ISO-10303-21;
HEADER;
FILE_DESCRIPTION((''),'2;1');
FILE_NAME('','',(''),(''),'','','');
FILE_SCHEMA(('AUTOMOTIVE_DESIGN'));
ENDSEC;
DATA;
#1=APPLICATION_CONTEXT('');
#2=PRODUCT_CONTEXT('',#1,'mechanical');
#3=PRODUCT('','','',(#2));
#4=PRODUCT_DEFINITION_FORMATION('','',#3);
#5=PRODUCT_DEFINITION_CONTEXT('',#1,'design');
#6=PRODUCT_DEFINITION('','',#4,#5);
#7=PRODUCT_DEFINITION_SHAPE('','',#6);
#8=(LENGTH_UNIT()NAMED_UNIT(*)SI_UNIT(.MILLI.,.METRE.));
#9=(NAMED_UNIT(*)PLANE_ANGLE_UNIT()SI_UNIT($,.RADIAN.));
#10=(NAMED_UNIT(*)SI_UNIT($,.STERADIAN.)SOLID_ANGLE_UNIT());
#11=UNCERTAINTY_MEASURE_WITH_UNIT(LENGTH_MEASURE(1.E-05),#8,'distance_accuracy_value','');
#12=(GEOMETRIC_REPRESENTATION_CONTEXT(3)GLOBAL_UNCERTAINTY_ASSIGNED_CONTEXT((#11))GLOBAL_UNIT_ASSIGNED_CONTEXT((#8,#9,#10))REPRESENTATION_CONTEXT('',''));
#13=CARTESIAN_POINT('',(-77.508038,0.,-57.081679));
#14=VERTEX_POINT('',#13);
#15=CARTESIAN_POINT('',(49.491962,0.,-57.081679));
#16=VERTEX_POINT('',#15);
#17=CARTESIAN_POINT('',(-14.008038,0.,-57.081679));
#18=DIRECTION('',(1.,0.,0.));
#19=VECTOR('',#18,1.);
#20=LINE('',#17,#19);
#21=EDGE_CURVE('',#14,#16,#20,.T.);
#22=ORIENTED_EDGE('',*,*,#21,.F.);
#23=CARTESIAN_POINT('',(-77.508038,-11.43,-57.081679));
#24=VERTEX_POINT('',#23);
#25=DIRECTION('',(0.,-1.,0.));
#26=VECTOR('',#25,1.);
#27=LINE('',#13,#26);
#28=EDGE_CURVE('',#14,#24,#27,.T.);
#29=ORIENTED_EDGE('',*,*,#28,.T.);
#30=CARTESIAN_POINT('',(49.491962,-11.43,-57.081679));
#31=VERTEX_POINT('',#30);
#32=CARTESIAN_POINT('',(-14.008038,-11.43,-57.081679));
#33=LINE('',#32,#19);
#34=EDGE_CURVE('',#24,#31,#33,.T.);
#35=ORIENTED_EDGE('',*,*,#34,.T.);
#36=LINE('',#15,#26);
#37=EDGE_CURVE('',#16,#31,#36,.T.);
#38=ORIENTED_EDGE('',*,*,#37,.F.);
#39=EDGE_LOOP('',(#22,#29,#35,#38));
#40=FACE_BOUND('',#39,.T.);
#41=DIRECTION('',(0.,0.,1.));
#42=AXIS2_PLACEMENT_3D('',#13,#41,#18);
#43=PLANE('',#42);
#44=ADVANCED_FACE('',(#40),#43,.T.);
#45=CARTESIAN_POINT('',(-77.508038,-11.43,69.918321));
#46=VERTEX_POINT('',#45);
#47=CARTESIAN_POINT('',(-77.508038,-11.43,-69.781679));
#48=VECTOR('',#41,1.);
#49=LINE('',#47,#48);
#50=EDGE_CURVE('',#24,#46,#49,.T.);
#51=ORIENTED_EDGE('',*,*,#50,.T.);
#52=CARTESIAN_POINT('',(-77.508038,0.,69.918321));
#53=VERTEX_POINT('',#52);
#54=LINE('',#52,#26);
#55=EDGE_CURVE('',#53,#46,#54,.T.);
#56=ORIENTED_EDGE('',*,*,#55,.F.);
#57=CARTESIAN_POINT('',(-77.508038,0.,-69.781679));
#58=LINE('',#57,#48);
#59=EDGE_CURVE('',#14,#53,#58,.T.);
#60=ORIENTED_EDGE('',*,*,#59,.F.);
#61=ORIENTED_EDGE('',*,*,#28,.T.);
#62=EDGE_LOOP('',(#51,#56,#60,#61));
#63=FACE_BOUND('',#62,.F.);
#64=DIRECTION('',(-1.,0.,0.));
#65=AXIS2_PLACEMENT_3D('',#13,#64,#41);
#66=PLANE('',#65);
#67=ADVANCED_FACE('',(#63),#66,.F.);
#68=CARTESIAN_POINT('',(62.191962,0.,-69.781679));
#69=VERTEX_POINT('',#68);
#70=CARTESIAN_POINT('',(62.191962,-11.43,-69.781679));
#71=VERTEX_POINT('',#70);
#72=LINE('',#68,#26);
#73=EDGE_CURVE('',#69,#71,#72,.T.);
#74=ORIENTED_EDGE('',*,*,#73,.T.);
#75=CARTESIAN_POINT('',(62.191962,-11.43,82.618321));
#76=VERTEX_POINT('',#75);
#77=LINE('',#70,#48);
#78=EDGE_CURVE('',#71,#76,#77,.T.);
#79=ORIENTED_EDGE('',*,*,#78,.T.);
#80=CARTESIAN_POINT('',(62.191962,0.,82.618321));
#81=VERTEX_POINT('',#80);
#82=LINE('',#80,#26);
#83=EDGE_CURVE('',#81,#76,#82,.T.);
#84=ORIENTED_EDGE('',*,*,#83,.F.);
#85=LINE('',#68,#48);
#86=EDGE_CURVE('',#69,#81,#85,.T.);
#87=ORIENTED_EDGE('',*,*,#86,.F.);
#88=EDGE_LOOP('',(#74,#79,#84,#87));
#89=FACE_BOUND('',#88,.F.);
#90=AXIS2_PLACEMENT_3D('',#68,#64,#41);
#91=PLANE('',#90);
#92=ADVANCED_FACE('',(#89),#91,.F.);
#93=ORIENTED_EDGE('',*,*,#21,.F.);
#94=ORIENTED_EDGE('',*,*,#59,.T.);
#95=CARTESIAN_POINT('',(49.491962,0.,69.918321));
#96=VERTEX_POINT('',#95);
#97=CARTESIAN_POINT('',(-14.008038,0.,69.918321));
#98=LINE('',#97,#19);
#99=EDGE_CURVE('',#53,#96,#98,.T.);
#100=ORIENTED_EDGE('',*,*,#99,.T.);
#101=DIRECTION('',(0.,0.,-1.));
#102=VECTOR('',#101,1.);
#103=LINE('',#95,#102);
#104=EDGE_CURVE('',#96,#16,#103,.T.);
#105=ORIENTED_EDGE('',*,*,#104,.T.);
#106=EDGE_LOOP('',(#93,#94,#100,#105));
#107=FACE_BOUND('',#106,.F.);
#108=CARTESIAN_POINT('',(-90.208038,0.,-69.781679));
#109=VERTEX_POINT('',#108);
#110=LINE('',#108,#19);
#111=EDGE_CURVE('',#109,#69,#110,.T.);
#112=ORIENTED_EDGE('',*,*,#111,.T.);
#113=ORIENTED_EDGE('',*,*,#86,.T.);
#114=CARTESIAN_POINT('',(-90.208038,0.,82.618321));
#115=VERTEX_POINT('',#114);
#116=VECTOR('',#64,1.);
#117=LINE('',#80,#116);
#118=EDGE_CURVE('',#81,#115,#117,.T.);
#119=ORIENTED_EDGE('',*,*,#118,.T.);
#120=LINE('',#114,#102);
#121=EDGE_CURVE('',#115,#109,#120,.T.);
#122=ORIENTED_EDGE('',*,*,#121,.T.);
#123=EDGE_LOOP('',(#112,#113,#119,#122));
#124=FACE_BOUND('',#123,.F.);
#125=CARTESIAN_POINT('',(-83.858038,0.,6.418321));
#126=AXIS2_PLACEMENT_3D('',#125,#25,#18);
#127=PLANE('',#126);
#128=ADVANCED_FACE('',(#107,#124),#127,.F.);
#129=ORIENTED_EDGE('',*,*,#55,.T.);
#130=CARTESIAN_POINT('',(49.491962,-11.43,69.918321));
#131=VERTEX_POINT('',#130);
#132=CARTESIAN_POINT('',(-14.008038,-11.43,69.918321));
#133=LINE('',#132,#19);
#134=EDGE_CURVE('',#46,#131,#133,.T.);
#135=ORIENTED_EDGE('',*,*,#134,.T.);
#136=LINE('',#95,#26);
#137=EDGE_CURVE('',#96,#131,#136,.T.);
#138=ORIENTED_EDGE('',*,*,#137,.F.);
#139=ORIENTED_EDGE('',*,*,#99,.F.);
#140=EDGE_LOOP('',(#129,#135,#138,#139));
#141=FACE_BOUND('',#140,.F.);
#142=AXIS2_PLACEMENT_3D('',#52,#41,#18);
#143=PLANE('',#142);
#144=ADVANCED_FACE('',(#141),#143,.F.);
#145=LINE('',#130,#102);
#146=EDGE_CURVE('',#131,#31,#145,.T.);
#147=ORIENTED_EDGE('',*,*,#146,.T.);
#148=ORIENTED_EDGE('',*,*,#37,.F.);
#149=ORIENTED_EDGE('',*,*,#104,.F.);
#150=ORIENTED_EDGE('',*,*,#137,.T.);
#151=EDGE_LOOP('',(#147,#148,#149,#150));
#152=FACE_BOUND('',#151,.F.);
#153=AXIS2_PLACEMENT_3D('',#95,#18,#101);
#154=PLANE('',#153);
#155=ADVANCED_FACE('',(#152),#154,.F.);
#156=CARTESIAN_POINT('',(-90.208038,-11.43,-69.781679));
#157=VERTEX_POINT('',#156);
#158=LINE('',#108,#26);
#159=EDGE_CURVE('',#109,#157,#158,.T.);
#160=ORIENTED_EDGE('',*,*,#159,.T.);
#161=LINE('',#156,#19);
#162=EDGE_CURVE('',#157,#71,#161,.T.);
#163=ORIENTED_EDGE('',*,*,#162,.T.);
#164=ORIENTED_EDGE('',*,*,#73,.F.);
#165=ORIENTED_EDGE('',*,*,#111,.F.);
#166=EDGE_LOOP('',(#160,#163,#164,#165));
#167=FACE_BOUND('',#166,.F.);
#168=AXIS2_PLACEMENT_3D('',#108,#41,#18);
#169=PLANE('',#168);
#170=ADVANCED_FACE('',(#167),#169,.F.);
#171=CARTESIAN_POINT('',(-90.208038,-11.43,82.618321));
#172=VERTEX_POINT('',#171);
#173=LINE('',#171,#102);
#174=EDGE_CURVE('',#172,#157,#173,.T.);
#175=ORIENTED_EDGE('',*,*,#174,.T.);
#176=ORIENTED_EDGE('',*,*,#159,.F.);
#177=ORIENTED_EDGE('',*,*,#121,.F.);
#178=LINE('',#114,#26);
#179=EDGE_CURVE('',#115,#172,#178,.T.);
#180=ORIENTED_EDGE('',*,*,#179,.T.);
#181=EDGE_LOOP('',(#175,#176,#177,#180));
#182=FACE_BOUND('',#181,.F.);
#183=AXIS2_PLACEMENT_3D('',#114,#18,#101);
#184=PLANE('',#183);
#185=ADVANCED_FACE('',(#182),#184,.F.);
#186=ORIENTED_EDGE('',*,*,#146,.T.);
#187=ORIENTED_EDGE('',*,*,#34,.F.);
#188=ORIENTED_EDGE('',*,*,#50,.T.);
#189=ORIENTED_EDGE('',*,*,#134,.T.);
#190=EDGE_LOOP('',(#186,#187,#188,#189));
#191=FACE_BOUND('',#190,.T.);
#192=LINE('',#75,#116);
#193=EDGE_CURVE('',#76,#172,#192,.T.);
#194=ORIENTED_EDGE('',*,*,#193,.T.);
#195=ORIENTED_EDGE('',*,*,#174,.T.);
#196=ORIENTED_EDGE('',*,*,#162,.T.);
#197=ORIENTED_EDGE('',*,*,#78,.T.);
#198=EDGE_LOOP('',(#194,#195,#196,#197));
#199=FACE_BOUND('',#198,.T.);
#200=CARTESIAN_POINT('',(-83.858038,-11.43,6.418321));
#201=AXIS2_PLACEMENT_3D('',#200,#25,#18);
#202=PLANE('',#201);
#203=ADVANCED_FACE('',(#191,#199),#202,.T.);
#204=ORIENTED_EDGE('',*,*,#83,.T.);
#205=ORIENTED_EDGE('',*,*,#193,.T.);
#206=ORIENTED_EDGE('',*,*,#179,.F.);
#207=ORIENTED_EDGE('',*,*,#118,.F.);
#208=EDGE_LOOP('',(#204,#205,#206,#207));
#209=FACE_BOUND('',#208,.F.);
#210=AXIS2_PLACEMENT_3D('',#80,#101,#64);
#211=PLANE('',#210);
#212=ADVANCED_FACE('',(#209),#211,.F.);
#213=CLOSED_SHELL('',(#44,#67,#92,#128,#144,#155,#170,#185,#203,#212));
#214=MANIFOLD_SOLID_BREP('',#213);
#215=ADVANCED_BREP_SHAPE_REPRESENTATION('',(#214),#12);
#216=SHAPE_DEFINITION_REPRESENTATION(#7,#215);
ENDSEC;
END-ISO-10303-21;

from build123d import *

# Parameters (mm, degrees)
F0_W     = 127
F0_H     = 12.7
F1_DEPTH = 11.43


with BuildPart() as f1:
    # F0 (on Front) → F1 (new body)
    with BuildSketch(Plane.XZ):
        Polygon((-77.508038, 82.618321), (-90.208038, 82.618321), (-90.208038, -69.781679), (-77.508038, -69.781679), (-77.508038, -57.081679), (-77.508038, 69.918321), align=None)
        with Locations((-14.008038, 76.268321)):
            Rectangle(F0_W, F0_H)
        Polygon((62.191962, 82.618321), (49.491962, 82.618321), (49.491962, 69.918321), (49.491962, -57.081679), (49.491962, -69.781679), (62.191962, -69.781679), align=None)
        with Locations((-14.008038, -63.431679)):
            Rectangle(F0_W, F0_H)
    extrude(amount=F1_DEPTH)


solid = f1.part
